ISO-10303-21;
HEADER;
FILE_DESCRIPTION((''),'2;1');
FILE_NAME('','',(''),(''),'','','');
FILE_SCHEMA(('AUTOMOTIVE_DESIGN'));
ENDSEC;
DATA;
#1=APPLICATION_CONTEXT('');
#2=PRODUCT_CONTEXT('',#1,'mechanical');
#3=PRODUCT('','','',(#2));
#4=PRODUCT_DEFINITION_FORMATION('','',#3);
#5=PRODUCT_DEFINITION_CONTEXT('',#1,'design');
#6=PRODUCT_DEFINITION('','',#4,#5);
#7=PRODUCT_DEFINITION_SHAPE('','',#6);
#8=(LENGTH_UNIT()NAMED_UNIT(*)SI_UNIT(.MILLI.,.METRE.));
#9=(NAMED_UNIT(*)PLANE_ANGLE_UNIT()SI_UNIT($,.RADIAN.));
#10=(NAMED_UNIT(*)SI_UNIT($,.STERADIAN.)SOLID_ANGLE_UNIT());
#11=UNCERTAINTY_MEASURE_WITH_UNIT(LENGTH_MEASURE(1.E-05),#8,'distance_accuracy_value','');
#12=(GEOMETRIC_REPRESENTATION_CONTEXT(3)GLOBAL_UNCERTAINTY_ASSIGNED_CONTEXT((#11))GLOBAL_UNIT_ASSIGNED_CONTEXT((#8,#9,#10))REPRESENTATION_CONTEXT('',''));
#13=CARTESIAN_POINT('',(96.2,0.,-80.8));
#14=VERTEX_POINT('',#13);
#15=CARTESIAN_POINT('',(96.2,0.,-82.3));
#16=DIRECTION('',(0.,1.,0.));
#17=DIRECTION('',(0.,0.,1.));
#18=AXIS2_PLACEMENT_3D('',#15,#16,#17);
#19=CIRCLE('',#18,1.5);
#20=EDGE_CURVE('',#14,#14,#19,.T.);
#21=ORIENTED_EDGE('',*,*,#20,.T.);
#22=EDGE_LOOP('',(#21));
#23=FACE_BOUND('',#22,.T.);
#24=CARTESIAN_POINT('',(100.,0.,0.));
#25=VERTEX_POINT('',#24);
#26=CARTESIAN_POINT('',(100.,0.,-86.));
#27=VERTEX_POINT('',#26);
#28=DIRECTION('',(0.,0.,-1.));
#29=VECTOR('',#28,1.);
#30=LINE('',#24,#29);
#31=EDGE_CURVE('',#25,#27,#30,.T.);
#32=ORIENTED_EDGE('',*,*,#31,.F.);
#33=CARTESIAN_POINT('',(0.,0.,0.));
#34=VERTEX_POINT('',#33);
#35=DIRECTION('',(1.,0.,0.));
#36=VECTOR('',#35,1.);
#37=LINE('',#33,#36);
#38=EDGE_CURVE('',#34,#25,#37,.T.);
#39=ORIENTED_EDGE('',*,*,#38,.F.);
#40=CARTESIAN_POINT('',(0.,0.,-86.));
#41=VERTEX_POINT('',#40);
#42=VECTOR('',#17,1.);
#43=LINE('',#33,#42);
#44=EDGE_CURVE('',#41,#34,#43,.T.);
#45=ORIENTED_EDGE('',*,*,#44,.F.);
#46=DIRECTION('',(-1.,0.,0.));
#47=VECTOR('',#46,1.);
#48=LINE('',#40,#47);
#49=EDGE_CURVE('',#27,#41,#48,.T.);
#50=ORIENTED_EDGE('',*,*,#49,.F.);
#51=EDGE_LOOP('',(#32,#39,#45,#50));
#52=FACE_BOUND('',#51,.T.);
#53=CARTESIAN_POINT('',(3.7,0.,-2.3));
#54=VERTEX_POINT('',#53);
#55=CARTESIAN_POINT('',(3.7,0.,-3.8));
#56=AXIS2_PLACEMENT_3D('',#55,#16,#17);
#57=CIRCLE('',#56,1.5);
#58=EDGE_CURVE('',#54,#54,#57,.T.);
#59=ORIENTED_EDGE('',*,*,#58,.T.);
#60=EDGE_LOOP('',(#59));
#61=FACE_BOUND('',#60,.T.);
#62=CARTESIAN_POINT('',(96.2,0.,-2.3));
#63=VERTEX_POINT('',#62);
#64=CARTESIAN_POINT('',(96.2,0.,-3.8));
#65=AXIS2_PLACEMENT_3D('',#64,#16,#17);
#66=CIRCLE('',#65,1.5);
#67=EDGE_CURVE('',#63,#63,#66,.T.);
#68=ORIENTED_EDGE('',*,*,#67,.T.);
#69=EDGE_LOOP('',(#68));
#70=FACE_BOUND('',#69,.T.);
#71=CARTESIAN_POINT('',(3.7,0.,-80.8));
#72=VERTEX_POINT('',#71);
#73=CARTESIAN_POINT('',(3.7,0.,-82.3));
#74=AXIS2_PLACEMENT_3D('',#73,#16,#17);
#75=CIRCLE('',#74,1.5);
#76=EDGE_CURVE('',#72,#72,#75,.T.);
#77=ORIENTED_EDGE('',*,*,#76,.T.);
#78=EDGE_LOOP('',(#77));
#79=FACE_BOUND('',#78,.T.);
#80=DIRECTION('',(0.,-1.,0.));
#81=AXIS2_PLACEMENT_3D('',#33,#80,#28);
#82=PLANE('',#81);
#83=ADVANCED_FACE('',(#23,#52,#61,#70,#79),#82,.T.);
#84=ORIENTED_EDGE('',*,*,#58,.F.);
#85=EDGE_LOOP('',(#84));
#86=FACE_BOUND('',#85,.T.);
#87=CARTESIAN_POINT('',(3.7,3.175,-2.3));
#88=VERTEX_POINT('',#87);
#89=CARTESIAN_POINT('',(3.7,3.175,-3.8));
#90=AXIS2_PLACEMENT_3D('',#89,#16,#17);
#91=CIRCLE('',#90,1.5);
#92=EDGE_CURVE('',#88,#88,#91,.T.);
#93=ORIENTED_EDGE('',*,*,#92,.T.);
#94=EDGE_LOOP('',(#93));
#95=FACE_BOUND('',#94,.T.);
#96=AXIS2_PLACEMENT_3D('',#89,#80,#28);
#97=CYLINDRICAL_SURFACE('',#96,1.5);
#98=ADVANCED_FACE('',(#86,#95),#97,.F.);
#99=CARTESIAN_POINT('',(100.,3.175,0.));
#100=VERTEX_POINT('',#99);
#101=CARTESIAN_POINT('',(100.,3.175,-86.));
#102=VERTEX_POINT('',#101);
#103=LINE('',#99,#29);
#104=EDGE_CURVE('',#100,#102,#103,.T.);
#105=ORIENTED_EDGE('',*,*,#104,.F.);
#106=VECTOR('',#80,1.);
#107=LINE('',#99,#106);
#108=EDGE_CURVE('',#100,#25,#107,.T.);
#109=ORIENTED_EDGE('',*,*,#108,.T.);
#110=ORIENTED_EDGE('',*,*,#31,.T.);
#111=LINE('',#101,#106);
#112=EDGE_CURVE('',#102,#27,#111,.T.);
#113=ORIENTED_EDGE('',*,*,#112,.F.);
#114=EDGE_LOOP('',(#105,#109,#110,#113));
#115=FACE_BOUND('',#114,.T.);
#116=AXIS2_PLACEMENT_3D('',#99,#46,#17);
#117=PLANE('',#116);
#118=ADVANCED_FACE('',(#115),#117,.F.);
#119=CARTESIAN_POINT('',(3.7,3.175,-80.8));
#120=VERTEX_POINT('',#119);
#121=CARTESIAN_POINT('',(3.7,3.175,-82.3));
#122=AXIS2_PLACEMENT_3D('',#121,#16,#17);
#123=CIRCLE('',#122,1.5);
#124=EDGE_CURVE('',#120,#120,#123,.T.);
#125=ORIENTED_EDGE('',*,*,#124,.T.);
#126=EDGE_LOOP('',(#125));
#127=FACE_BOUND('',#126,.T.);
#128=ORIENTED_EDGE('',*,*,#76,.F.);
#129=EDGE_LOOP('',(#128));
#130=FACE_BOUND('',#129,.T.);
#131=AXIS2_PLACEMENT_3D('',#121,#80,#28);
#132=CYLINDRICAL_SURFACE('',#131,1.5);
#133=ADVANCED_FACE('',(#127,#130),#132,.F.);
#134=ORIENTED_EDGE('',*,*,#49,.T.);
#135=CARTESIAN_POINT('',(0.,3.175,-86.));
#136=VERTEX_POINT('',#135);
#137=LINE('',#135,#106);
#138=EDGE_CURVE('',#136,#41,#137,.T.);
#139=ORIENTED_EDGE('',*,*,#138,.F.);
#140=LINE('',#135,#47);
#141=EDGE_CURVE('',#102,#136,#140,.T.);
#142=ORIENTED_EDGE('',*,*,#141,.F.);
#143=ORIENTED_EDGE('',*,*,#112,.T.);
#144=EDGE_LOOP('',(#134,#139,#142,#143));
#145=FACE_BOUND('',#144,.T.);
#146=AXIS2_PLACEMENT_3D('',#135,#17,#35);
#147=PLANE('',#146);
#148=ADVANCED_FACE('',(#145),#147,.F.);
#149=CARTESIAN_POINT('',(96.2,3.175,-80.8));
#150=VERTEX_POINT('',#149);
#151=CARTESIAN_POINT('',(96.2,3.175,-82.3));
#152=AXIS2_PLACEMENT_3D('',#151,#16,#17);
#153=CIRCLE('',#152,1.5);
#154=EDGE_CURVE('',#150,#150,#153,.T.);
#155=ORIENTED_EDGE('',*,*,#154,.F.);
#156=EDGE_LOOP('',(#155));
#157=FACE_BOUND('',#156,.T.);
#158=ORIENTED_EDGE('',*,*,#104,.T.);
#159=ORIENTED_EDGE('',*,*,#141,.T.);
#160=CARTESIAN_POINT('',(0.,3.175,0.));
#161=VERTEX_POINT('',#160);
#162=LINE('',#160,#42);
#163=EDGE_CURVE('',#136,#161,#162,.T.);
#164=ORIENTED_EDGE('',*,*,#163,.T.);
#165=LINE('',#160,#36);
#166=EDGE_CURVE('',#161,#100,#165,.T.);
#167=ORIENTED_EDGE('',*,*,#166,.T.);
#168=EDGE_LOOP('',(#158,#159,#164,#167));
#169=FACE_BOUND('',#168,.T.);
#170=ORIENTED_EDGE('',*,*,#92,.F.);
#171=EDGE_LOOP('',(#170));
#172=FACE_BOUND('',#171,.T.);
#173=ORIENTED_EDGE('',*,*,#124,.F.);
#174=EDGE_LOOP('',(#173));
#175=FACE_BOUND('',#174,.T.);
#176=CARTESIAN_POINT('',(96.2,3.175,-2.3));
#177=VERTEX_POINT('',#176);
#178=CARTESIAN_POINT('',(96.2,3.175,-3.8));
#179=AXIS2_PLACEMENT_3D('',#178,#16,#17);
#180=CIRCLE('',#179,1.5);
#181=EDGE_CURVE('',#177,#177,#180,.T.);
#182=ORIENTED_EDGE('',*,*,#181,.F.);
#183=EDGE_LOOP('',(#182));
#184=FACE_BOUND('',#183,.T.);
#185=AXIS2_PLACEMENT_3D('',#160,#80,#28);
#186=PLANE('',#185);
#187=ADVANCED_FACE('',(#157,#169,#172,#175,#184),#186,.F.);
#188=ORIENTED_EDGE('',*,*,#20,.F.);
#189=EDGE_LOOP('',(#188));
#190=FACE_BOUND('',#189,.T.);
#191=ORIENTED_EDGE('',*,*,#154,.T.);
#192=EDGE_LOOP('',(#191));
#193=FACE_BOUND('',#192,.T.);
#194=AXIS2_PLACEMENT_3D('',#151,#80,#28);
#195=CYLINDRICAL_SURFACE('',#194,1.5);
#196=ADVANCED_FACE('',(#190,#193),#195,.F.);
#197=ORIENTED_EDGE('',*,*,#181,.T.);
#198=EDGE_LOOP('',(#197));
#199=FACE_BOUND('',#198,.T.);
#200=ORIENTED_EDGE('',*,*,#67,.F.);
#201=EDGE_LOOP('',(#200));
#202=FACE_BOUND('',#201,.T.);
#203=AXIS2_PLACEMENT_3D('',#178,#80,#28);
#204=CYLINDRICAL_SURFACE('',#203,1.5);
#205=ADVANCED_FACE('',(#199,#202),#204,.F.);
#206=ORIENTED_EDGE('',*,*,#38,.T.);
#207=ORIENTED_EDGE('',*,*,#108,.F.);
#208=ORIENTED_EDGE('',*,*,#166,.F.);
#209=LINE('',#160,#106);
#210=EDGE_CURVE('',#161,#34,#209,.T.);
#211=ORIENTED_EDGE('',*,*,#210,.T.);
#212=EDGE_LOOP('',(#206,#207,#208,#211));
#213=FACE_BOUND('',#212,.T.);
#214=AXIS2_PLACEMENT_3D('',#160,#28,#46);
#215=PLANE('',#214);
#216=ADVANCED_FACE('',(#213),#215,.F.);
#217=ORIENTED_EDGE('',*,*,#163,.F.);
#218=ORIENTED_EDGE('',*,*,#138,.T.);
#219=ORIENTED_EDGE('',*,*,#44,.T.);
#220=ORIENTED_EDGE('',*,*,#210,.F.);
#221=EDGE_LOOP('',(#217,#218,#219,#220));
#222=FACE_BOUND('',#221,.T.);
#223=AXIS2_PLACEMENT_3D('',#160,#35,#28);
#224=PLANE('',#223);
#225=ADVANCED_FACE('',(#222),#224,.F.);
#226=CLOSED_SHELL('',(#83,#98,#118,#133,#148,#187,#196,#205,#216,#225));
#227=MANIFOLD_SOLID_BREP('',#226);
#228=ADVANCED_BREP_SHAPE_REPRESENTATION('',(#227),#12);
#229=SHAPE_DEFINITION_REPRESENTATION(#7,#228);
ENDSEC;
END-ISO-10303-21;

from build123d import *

# Parameters (mm, degrees)
SKETCH1_W           = 100
SKETCH1_H           = 86
SKETCH1_R           = 1.5
BOSS_EXTRUDE1_DEPTH = 3.175


with BuildPart() as part:
    # Sketch1 → Boss-Extrude1 (new body)
    with BuildSketch(Plane(origin=(0, 0, 0), x_dir=(1, 0, 0), z_dir=(0, 1, 0))):
        with Locations((50, 43)):
            Rectangle(SKETCH1_W, SKETCH1_H)
        with Locations(Location((3.7, 3.8, 0), (0, 0, 270))):
            Circle(SKETCH1_R, mode=Mode.SUBTRACT)
        with Locations(Location((96.2, 3.8, 0), (0, 0, 270))):
            Circle(SKETCH1_R, mode=Mode.SUBTRACT)
        with Locations(Location((3.7, 82.3, 0), (0, 0, 270))):
            Circle(SKETCH1_R, mode=Mode.SUBTRACT)
        with Locations(Location((96.2, 82.3, 0), (0, 0, 270))):
            Circle(SKETCH1_R, mode=Mode.SUBTRACT)
    extrude(amount=BOSS_EXTRUDE1_DEPTH)


solid = part.part
